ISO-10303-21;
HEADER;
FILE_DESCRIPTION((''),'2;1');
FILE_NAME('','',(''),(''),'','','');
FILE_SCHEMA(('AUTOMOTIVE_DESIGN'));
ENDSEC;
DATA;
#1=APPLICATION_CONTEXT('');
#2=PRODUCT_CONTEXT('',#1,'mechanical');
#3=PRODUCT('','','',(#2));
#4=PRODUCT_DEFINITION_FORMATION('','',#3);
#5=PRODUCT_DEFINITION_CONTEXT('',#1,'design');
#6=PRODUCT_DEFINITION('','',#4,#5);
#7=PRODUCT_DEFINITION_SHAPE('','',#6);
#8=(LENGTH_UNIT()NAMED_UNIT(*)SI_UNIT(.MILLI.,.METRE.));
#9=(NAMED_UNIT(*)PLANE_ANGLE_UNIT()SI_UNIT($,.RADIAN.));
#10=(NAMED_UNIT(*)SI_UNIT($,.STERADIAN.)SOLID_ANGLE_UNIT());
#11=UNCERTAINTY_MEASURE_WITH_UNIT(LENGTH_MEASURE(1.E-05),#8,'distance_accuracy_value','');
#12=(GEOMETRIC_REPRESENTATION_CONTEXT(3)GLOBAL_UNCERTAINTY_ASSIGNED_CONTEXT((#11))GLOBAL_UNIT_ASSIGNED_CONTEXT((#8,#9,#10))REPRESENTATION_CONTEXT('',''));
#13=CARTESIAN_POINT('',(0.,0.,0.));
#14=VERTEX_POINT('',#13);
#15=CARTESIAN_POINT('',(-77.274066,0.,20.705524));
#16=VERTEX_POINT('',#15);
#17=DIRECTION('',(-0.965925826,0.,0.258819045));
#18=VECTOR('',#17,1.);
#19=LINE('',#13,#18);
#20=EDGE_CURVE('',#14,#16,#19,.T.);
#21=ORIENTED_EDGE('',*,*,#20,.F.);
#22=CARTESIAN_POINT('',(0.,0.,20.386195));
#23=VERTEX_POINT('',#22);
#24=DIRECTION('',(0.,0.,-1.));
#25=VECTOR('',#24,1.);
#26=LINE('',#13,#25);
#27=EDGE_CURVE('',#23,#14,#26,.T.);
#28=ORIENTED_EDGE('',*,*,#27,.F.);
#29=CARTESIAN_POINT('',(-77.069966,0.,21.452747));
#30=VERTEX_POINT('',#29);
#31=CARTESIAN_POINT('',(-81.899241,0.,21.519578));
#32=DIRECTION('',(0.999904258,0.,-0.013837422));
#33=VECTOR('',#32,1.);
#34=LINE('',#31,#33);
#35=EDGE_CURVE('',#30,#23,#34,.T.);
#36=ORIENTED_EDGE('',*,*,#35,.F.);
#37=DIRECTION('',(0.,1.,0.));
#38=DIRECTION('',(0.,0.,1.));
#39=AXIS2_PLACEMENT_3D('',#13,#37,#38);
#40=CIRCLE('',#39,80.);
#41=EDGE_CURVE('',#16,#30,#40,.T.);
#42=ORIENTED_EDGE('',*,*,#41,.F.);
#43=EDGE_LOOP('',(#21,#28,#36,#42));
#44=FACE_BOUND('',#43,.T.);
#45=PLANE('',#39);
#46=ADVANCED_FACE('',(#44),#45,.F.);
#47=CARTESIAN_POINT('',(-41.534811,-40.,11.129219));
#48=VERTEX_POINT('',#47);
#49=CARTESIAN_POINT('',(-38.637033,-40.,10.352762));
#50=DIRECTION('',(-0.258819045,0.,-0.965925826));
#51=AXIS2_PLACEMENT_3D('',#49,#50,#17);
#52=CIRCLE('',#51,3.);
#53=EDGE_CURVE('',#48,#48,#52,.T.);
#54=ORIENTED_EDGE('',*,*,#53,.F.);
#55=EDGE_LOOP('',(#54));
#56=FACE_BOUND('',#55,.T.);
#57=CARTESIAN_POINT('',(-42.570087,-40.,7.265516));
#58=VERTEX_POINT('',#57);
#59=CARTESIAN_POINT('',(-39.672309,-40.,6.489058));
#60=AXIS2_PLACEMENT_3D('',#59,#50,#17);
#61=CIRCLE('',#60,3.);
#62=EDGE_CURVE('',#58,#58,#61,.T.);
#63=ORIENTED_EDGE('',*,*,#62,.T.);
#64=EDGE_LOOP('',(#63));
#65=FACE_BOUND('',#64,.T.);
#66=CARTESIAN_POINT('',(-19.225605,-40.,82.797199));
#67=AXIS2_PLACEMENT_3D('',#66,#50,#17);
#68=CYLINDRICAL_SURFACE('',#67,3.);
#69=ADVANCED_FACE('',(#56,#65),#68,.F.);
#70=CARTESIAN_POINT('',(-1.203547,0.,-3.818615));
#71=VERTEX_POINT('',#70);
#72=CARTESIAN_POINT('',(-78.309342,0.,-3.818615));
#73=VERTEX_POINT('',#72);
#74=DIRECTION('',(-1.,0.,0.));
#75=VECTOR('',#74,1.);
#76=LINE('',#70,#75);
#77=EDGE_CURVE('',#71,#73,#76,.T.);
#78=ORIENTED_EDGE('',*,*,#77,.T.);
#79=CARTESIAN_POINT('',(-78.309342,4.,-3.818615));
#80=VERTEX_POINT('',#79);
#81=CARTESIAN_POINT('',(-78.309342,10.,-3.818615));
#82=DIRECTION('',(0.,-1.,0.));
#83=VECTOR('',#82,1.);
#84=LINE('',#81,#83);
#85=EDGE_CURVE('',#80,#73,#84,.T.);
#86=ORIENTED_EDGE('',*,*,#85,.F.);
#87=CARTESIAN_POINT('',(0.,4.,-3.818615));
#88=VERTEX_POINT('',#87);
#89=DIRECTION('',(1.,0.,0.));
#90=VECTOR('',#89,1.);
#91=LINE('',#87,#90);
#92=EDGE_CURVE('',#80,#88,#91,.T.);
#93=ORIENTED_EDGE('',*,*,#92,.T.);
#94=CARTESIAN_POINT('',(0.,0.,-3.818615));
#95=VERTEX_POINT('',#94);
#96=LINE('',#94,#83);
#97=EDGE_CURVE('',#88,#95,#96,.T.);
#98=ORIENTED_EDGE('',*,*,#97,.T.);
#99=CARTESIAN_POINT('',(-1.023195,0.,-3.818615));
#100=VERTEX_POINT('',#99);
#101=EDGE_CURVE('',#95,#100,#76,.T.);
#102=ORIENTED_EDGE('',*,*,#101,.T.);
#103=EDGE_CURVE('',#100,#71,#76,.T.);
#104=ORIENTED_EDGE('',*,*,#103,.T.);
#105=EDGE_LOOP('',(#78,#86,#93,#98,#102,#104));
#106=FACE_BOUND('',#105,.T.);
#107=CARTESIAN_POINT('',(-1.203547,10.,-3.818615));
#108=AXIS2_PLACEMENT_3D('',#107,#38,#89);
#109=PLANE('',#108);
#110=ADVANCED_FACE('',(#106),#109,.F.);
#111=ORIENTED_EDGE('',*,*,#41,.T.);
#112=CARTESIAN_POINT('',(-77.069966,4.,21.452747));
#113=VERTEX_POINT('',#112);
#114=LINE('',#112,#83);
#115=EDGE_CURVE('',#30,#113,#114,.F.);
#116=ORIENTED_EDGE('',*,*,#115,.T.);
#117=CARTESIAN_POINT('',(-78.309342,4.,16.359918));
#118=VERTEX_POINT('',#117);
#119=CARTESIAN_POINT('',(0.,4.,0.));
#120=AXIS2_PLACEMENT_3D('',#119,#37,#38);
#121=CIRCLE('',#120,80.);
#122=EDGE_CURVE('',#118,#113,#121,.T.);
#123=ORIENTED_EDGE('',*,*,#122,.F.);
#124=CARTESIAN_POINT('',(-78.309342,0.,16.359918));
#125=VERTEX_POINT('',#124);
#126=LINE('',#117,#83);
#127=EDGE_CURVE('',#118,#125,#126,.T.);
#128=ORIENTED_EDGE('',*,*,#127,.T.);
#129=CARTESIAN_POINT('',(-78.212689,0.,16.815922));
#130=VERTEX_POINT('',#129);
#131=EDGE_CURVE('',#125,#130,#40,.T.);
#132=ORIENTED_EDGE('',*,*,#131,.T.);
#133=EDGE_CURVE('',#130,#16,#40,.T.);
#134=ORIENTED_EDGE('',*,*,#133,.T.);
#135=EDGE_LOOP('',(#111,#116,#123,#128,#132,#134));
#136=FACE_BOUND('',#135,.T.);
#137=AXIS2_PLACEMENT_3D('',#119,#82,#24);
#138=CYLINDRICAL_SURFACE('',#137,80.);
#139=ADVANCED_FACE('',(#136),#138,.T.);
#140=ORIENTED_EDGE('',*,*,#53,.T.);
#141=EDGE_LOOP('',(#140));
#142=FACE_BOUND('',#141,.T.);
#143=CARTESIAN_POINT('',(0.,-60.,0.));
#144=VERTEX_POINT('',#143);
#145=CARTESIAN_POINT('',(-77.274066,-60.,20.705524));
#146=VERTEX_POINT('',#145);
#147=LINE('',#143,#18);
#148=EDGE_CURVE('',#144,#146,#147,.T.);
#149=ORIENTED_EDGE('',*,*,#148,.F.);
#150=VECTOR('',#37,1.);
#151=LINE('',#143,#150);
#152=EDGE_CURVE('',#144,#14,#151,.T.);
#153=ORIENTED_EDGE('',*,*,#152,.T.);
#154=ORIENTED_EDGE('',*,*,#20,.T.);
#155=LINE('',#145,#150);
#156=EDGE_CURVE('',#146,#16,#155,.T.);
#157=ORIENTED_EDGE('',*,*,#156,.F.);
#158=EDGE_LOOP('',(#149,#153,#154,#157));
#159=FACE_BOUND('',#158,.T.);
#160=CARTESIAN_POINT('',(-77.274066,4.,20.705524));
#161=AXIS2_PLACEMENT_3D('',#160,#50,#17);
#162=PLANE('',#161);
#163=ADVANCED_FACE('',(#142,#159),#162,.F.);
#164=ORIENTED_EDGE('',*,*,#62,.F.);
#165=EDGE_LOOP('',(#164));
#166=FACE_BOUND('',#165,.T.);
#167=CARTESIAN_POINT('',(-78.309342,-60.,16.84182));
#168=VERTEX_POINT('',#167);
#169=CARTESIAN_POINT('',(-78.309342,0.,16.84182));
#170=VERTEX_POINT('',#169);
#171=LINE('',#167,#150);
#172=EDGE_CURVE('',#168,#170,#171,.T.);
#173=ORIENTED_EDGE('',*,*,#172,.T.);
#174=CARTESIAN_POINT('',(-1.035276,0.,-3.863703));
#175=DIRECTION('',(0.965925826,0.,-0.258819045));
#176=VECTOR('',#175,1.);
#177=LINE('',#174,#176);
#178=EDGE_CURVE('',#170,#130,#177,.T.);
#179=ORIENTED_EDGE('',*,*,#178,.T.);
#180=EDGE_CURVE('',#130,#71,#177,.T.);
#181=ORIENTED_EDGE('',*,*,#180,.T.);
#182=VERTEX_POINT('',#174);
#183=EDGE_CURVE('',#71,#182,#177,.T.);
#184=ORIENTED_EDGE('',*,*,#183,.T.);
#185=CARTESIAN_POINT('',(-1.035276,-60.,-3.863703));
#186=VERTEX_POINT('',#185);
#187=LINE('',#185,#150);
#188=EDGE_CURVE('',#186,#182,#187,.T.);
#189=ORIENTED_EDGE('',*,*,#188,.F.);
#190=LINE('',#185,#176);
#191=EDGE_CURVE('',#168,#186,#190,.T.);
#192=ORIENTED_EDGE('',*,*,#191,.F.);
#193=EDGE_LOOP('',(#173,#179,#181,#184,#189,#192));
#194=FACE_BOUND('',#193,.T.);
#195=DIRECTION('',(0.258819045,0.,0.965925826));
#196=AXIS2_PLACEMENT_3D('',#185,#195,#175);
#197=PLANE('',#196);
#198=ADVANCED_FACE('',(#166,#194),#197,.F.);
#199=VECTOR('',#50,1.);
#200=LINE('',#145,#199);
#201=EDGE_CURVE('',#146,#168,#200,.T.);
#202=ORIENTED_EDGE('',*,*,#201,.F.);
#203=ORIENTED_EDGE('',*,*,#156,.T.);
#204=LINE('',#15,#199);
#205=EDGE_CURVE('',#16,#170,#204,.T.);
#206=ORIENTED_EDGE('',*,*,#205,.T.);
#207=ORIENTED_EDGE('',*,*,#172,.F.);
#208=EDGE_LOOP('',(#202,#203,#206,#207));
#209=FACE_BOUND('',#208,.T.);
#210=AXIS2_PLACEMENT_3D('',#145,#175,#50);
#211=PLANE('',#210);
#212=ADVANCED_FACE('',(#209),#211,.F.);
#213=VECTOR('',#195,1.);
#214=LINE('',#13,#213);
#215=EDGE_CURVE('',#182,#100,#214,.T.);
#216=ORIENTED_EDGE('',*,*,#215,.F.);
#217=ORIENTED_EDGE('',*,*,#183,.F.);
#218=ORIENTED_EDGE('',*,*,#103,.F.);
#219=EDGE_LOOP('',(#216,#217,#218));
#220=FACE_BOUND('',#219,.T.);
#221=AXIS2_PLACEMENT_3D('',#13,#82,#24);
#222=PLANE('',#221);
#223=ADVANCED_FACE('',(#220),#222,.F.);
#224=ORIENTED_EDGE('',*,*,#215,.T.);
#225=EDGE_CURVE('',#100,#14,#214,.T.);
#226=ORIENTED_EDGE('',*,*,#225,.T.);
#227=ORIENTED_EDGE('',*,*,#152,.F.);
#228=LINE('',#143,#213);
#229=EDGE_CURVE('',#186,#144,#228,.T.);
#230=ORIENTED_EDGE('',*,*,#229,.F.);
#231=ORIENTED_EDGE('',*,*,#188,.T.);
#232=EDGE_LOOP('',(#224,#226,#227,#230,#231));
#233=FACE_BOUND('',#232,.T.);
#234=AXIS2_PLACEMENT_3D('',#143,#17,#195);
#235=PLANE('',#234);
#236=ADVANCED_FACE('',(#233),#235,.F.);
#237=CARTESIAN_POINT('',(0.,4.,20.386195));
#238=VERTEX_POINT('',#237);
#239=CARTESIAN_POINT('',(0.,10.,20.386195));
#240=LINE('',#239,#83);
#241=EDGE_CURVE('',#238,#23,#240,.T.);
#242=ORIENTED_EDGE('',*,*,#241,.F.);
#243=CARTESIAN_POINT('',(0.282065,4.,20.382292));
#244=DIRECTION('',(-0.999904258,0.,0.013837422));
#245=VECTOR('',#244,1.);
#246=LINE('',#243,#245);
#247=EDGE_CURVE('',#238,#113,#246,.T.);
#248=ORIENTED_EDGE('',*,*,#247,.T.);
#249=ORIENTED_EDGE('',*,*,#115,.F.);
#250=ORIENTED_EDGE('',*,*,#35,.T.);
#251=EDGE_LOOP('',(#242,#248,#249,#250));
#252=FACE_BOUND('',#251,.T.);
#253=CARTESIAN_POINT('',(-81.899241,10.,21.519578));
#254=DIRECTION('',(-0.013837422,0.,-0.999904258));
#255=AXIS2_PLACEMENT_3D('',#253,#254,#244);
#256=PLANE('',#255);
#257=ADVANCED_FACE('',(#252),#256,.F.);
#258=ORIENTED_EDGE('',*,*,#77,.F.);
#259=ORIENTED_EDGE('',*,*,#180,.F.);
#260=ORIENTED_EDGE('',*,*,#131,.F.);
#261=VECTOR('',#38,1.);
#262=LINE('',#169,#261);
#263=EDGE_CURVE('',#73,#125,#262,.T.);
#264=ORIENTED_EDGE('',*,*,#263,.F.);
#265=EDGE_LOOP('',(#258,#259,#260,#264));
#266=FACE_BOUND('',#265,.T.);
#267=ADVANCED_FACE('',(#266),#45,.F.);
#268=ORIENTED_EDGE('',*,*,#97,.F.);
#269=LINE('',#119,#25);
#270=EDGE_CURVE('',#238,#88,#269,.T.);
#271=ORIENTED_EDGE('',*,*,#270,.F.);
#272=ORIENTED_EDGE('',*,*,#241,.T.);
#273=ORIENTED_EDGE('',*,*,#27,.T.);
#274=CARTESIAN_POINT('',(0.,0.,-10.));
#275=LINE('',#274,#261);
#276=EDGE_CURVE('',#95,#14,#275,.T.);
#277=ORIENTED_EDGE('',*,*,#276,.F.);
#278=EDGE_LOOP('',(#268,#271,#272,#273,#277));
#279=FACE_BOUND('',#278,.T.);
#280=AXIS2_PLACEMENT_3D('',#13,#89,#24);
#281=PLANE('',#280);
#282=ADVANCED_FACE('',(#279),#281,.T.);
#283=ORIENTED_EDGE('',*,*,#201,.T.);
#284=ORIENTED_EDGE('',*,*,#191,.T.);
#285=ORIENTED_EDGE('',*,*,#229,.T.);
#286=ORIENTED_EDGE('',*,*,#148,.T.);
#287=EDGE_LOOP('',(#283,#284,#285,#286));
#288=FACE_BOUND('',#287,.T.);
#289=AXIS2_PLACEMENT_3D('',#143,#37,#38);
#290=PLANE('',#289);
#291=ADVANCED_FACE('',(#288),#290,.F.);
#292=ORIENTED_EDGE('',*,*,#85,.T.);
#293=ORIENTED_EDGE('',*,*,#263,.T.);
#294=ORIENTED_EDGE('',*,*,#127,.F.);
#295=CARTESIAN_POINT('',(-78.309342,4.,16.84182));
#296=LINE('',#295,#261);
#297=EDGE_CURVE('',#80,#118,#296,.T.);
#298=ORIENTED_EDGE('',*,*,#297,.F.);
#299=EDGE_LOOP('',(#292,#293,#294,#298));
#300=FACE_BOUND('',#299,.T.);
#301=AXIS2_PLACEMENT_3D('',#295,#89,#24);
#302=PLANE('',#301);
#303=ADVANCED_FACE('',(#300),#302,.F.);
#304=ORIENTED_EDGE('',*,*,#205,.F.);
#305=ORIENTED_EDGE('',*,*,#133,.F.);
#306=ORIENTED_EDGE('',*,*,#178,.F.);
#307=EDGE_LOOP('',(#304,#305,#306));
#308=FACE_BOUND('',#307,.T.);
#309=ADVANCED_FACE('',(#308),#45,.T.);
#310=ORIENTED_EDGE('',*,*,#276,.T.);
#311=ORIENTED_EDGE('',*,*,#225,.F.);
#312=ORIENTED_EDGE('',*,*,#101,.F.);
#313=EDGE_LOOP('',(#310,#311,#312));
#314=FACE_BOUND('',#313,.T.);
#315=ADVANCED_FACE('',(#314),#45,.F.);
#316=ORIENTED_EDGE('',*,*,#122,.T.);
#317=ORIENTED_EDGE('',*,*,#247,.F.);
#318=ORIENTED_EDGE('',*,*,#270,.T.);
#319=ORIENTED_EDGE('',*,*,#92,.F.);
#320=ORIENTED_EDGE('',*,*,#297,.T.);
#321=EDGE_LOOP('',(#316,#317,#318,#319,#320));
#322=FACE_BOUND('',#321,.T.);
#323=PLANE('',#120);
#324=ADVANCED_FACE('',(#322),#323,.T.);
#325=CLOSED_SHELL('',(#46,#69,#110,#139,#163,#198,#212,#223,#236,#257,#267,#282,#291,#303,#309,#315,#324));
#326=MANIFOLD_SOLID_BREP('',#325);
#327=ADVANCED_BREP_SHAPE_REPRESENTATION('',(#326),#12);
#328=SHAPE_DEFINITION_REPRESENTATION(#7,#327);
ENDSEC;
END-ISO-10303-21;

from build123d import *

# Parameters (mm, degrees)
BOSS_EXTRUDE1_DEPTH = 4
BOSS_EXTRUDE3_DEPTH = 60
SKETCH8_R           = 3
CUT_EXTRUDE2_DEPTH  = 79
BOSS_EXTRUDE5_START = -4
BOSS_EXTRUDE5_DEPTH = 4
CUT_EXTRUDE3_DEPTH  = 4
SKETCH14_W          = 38.062003052
SKETCH14_H          = 100
CUT_EXTRUDE4_DEPTH  = 4
CUT_EXTRUDE5_DEPTH  = 10
SKETCH16_W          = 78.309342284
SKETCH16_H          = 4
BOSS_EXTRUDE6_DEPTH = 10
CUT_EXTRUDE6_DEPTH  = 10


with BuildPart() as part:
    # Sketch1 → Boss-Extrude1 (new body)
    with BuildSketch(Plane(origin=(0, 0, 0), x_dir=(1, 0, 0), z_dir=(0, 1, 0))):
        with BuildLine():
            Line((0, 0), (-80, 0))
            ThreePointArc((-80, 0), (-79.31558891, -10.442095378), (-77.274066103, -20.705523608))
            Line((-77.274066103, -20.705523608), (0, 0))
        make_face()
    extrude(amount=BOSS_EXTRUDE1_DEPTH)

    # Sketch7 → Boss-Extrude3 (add)
    with BuildSketch(Plane.XZ):
        Polygon((0, 0), (-77.274066103, 20.705523608), (-78.309342284, 16.841820303), (-1.03527618, -3.863703305), align=None)
    extrude(amount=BOSS_EXTRUDE3_DEPTH)

    # Sketch8 → Cut-Extrude2 (cut)
    with BuildSketch(Plane(origin=(-1.03527618, 0, -3.863703305), x_dir=(-0.9659258262890682, 0, 0.25881904510252124), z_dir=(-0.25881904510252124, 0, -0.9659258262890682))):
        with Locations((40, -40)):
            Circle(SKETCH8_R)
    extrude(amount=-CUT_EXTRUDE2_DEPTH, mode=Mode.SUBTRACT)

    # Sketch11 → Boss-Extrude5 (add)
    with BuildSketch(Plane(origin=(0, 4, 0), x_dir=(1, 0, 0), z_dir=(0, 1, 0)).offset(BOSS_EXTRUDE5_START)):
        with BuildLine():
            Line((0, 0), (-77.274066103, -20.705523608))
            ThreePointArc((-77.274066103, -20.705523608), (-48.700914321, -63.468267223), (0, -80))
            Line((0, -80), (0, 0))
        make_face()
    extrude(amount=BOSS_EXTRUDE5_DEPTH)

    # Sketch12 → Cut-Extrude3 (cut)
    with BuildSketch(Plane.XZ):
        Polygon((-68.830314461, 40.772390306), (32.565775989, 40.772390306), (32.565775989, 109.047215686), (-78.543674294, 109.047215686), align=None)
    extrude(amount=-CUT_EXTRUDE3_DEPTH, mode=Mode.SUBTRACT)

    # Sketch14 → Cut-Extrude4 (cut)
    with BuildSketch(Plane.XZ):
        with Locations((-97.34034381, -33.158179697)):
            Rectangle(SKETCH14_W, SKETCH14_H)
    extrude(amount=-CUT_EXTRUDE4_DEPTH, mode=Mode.SUBTRACT)

    # Sketch15 → Cut-Extrude5 (cut)
    with BuildSketch(Plane(origin=(0, 0, 0), x_dir=(-1, 0, 0), z_dir=(0, -1, 0))):
        Polygon((81.89924148, -21.519578019), (0, -20.386195153), (0, -64.251910572), (85.684715325, -64.251910572), align=None)
    extrude(amount=-CUT_EXTRUDE5_DEPTH, mode=Mode.SUBTRACT)

    # Sketch16 → Boss-Extrude6 (add)
    with BuildSketch(Plane(origin=(0, 0, 0), x_dir=(-1, 0, 0), z_dir=(0, 0, -1))):
        with Locations((39.154671142, 2)):
            Rectangle(SKETCH16_W, SKETCH16_H)
    extrude(amount=BOSS_EXTRUDE6_DEPTH)

    # Sketch17 → Cut-Extrude6 (cut)
    with BuildSketch(Plane(origin=(0, 0, 0), x_dir=(-1, 0, 0), z_dir=(0, -1, 0))):
        Polygon((1.203546953, 3.818615287), (78.309342284, 3.818615287), (78.309342284, 14.954407394), (-14.190924513, 13.37318069), (-14.190924513, 3.818615287), align=None)
    extrude(amount=-CUT_EXTRUDE6_DEPTH, mode=Mode.SUBTRACT)


solid = part.part
